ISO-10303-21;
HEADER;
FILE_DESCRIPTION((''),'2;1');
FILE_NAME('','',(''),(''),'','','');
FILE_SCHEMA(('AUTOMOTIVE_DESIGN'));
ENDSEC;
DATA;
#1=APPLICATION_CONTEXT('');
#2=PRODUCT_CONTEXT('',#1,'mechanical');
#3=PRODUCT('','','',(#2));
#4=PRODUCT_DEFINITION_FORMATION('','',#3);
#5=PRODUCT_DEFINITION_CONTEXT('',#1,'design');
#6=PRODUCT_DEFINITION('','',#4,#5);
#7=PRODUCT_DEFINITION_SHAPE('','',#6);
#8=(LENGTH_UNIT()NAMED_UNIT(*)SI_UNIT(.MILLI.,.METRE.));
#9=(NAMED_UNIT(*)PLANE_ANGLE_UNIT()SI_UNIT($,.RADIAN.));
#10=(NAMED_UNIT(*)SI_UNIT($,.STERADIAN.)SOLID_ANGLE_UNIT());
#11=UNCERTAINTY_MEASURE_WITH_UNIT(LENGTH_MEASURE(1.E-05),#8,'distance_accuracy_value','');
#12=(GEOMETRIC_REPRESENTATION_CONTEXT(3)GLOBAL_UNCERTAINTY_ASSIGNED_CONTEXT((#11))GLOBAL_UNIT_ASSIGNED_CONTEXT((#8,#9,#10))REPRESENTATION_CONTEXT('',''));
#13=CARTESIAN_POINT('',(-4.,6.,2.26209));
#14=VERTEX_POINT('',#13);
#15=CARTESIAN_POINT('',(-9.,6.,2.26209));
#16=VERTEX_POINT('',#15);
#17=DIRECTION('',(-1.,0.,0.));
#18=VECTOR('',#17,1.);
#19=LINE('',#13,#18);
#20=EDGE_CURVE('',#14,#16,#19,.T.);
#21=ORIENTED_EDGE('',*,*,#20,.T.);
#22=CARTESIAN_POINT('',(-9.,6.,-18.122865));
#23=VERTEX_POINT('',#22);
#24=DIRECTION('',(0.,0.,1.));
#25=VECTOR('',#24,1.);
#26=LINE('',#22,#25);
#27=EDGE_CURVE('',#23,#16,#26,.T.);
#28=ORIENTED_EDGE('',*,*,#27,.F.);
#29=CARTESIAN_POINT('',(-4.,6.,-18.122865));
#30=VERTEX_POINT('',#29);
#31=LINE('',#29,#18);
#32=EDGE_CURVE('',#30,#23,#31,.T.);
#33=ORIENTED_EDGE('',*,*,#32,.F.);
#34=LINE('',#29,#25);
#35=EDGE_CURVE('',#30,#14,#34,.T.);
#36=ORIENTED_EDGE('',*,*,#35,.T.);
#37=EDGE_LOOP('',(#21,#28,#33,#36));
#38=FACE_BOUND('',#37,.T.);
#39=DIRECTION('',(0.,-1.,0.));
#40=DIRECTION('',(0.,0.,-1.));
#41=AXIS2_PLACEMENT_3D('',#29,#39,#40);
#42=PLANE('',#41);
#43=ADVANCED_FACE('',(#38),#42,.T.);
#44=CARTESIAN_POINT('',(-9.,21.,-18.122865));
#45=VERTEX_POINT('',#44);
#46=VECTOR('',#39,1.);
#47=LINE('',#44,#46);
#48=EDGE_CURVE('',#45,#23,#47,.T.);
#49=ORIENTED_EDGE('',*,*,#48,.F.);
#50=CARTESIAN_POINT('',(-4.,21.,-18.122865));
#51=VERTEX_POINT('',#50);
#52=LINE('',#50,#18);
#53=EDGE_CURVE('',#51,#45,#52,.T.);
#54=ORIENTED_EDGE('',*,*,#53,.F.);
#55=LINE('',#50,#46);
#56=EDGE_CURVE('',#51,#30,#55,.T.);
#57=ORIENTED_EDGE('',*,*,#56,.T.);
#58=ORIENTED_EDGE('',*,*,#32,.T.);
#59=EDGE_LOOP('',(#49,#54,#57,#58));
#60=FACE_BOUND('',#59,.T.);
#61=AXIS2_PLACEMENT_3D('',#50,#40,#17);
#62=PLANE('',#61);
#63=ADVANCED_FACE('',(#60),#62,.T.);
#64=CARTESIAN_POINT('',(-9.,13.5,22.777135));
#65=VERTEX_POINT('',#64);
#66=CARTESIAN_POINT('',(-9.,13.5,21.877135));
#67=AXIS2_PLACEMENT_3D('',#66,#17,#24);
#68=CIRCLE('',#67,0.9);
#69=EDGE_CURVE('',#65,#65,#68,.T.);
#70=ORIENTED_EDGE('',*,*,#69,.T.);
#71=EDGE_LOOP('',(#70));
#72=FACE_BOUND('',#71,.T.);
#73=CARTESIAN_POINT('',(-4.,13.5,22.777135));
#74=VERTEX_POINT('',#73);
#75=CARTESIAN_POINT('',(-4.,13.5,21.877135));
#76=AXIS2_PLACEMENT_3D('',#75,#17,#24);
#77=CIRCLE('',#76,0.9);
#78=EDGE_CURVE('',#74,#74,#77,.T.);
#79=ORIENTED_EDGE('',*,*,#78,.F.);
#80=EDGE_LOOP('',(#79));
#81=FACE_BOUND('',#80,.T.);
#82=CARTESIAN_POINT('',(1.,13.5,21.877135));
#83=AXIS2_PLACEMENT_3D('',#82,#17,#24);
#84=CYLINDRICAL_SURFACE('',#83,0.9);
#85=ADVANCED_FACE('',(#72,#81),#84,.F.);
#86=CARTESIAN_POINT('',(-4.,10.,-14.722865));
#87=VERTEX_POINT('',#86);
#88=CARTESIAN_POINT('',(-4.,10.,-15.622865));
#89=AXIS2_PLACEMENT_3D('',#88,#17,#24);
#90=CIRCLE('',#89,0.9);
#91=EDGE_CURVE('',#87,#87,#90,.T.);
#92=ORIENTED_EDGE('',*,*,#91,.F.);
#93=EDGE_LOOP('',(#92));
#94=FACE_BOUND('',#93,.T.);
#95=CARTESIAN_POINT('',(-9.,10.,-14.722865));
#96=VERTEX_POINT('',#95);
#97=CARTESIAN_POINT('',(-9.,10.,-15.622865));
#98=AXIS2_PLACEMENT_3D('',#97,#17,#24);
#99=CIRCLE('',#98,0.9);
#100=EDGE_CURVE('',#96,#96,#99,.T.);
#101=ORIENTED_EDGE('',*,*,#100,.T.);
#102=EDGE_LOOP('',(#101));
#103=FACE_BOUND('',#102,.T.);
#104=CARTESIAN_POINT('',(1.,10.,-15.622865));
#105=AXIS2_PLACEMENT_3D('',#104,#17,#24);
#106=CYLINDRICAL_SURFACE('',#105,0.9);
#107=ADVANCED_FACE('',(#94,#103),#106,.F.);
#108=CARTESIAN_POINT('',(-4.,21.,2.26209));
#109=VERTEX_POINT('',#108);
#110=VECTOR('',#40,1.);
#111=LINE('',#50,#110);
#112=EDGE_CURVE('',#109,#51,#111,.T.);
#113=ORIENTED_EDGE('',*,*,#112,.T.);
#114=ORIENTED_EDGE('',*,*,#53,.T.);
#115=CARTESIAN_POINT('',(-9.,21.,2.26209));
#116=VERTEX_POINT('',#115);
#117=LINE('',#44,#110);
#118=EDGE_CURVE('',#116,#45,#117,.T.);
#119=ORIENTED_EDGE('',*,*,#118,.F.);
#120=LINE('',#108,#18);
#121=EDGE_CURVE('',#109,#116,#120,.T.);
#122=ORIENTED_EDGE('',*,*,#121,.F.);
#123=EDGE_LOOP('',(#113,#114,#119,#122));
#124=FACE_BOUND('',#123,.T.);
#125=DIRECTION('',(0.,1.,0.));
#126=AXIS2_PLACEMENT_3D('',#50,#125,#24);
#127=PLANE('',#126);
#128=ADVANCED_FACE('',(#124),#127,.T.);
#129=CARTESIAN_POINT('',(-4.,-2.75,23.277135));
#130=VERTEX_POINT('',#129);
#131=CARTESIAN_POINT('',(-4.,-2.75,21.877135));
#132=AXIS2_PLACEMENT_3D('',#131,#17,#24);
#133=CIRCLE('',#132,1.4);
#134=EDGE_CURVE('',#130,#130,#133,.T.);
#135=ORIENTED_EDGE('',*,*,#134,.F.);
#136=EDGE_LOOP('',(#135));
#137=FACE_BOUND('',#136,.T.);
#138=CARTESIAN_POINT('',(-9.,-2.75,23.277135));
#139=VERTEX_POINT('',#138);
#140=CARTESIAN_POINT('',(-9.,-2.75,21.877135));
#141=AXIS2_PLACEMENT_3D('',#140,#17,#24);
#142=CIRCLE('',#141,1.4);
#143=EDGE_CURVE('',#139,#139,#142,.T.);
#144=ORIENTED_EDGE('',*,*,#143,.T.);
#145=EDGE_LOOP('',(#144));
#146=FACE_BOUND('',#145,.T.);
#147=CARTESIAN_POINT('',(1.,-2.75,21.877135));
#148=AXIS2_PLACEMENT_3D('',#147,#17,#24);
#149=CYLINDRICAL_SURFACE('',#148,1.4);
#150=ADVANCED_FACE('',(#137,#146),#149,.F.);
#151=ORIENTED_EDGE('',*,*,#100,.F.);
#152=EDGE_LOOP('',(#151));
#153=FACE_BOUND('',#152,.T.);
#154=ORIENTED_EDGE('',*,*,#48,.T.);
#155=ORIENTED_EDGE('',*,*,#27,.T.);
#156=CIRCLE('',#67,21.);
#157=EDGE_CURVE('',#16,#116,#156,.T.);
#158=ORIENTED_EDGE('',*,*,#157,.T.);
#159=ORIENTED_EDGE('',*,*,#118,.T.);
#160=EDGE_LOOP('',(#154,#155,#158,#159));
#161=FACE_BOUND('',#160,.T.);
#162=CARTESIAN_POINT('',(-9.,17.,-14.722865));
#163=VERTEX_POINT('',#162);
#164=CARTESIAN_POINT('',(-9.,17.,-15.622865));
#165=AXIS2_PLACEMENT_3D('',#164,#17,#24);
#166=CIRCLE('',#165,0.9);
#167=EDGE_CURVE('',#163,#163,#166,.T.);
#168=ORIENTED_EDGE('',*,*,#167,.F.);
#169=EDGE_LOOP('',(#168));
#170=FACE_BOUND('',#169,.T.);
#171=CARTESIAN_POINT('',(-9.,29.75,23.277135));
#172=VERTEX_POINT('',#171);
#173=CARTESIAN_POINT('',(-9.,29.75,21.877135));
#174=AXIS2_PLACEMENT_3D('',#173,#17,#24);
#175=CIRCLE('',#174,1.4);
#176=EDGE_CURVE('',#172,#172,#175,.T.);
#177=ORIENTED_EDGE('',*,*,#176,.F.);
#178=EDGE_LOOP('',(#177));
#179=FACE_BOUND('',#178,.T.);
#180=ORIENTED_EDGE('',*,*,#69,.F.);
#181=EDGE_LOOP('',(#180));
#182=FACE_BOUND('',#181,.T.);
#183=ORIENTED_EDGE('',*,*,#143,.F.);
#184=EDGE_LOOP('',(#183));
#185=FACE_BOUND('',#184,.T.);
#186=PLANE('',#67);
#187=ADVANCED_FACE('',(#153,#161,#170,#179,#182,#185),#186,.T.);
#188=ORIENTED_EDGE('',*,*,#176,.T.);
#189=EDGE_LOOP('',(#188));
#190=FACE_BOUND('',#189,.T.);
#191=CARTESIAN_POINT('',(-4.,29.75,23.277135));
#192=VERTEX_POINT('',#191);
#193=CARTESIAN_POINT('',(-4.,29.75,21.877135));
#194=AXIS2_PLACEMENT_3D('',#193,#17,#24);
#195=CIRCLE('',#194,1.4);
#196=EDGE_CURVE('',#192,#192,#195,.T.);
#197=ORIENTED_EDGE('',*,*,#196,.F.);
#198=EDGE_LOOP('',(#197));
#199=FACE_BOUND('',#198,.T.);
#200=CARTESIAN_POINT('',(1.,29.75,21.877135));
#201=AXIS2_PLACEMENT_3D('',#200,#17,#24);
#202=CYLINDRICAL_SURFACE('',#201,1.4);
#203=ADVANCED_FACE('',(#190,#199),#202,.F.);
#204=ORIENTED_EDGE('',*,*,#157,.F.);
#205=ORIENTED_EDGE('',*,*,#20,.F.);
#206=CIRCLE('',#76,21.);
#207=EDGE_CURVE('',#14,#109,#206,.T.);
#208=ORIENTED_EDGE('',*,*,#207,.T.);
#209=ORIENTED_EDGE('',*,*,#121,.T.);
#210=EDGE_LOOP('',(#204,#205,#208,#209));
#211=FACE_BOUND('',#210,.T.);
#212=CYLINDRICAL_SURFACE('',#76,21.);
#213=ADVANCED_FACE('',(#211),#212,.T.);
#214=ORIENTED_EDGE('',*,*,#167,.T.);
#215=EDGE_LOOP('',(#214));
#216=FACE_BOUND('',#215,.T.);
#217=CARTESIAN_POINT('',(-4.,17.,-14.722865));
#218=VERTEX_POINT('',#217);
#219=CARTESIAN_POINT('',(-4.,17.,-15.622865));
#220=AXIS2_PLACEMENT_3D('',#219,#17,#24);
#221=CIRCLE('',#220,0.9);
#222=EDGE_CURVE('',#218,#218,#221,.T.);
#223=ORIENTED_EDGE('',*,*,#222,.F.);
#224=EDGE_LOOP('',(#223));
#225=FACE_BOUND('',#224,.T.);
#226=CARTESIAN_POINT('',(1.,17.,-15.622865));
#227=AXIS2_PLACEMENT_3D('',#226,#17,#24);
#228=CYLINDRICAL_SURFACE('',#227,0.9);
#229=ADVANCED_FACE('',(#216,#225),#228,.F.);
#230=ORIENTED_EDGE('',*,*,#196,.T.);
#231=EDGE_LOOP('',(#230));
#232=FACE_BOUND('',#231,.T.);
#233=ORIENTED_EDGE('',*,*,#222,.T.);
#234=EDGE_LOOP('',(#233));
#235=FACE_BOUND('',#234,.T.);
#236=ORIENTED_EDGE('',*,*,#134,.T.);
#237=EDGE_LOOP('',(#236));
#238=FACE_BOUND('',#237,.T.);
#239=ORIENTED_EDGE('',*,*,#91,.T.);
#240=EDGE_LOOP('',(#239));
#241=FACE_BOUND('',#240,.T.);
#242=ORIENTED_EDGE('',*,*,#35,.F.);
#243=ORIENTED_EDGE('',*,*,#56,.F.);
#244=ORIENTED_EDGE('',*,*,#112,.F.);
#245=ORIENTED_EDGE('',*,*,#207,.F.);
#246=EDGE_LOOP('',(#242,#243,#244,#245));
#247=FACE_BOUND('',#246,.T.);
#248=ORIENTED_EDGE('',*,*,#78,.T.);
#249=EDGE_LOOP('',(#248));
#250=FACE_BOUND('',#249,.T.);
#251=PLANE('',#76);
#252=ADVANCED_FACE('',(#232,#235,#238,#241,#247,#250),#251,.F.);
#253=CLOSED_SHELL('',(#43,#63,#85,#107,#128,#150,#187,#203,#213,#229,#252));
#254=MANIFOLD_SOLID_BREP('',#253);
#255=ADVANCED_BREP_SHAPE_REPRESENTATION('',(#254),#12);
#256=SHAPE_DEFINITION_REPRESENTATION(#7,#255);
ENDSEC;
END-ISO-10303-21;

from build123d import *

# Parameters (mm, degrees)
EXTRUDE_1_DEPTH     = 5
SKETCH_8_R          = 0.9
SKETCH_8_R_2        = 1.4
CUT_EXTRUDE_3_DEPTH = 10


with BuildPart() as part:
    # 스케치1 → 보스-돌출1 (new body)
    with BuildSketch(Plane(origin=(-9, 0, 0), x_dir=(0, -1, 0), z_dir=(-1, 0, 0))):
        with BuildLine():
            Line((-21, -18.122865071), (-21, 2.262089683))
            ThreePointArc((-21, 2.262089683), (-13.5, 42.877134929), (-6, 2.262089683))
            Line((-6, 2.262089683), (-6, -18.122865071))
            Line((-6, -18.122865071), (-21, -18.122865071))
        make_face()
    extrude(amount=-EXTRUDE_1_DEPTH)

    # 스케치8 → 컷-돌출3 (cut)
    with BuildSketch(Plane.ZY.offset(9)):
        with Locations((21.877134929, 13.5)):
            Circle(SKETCH_8_R)
        with Locations((-15.622865071, 17)):
            Circle(SKETCH_8_R)
        with Locations((-15.622865071, 10)):
            Circle(SKETCH_8_R)
        with Locations((21.877134929, 29.75)):
            Circle(SKETCH_8_R_2)
        with Locations((21.877134929, -2.75)):
            Circle(SKETCH_8_R_2)
    extrude(amount=-CUT_EXTRUDE_3_DEPTH, mode=Mode.SUBTRACT)


solid = part.part
